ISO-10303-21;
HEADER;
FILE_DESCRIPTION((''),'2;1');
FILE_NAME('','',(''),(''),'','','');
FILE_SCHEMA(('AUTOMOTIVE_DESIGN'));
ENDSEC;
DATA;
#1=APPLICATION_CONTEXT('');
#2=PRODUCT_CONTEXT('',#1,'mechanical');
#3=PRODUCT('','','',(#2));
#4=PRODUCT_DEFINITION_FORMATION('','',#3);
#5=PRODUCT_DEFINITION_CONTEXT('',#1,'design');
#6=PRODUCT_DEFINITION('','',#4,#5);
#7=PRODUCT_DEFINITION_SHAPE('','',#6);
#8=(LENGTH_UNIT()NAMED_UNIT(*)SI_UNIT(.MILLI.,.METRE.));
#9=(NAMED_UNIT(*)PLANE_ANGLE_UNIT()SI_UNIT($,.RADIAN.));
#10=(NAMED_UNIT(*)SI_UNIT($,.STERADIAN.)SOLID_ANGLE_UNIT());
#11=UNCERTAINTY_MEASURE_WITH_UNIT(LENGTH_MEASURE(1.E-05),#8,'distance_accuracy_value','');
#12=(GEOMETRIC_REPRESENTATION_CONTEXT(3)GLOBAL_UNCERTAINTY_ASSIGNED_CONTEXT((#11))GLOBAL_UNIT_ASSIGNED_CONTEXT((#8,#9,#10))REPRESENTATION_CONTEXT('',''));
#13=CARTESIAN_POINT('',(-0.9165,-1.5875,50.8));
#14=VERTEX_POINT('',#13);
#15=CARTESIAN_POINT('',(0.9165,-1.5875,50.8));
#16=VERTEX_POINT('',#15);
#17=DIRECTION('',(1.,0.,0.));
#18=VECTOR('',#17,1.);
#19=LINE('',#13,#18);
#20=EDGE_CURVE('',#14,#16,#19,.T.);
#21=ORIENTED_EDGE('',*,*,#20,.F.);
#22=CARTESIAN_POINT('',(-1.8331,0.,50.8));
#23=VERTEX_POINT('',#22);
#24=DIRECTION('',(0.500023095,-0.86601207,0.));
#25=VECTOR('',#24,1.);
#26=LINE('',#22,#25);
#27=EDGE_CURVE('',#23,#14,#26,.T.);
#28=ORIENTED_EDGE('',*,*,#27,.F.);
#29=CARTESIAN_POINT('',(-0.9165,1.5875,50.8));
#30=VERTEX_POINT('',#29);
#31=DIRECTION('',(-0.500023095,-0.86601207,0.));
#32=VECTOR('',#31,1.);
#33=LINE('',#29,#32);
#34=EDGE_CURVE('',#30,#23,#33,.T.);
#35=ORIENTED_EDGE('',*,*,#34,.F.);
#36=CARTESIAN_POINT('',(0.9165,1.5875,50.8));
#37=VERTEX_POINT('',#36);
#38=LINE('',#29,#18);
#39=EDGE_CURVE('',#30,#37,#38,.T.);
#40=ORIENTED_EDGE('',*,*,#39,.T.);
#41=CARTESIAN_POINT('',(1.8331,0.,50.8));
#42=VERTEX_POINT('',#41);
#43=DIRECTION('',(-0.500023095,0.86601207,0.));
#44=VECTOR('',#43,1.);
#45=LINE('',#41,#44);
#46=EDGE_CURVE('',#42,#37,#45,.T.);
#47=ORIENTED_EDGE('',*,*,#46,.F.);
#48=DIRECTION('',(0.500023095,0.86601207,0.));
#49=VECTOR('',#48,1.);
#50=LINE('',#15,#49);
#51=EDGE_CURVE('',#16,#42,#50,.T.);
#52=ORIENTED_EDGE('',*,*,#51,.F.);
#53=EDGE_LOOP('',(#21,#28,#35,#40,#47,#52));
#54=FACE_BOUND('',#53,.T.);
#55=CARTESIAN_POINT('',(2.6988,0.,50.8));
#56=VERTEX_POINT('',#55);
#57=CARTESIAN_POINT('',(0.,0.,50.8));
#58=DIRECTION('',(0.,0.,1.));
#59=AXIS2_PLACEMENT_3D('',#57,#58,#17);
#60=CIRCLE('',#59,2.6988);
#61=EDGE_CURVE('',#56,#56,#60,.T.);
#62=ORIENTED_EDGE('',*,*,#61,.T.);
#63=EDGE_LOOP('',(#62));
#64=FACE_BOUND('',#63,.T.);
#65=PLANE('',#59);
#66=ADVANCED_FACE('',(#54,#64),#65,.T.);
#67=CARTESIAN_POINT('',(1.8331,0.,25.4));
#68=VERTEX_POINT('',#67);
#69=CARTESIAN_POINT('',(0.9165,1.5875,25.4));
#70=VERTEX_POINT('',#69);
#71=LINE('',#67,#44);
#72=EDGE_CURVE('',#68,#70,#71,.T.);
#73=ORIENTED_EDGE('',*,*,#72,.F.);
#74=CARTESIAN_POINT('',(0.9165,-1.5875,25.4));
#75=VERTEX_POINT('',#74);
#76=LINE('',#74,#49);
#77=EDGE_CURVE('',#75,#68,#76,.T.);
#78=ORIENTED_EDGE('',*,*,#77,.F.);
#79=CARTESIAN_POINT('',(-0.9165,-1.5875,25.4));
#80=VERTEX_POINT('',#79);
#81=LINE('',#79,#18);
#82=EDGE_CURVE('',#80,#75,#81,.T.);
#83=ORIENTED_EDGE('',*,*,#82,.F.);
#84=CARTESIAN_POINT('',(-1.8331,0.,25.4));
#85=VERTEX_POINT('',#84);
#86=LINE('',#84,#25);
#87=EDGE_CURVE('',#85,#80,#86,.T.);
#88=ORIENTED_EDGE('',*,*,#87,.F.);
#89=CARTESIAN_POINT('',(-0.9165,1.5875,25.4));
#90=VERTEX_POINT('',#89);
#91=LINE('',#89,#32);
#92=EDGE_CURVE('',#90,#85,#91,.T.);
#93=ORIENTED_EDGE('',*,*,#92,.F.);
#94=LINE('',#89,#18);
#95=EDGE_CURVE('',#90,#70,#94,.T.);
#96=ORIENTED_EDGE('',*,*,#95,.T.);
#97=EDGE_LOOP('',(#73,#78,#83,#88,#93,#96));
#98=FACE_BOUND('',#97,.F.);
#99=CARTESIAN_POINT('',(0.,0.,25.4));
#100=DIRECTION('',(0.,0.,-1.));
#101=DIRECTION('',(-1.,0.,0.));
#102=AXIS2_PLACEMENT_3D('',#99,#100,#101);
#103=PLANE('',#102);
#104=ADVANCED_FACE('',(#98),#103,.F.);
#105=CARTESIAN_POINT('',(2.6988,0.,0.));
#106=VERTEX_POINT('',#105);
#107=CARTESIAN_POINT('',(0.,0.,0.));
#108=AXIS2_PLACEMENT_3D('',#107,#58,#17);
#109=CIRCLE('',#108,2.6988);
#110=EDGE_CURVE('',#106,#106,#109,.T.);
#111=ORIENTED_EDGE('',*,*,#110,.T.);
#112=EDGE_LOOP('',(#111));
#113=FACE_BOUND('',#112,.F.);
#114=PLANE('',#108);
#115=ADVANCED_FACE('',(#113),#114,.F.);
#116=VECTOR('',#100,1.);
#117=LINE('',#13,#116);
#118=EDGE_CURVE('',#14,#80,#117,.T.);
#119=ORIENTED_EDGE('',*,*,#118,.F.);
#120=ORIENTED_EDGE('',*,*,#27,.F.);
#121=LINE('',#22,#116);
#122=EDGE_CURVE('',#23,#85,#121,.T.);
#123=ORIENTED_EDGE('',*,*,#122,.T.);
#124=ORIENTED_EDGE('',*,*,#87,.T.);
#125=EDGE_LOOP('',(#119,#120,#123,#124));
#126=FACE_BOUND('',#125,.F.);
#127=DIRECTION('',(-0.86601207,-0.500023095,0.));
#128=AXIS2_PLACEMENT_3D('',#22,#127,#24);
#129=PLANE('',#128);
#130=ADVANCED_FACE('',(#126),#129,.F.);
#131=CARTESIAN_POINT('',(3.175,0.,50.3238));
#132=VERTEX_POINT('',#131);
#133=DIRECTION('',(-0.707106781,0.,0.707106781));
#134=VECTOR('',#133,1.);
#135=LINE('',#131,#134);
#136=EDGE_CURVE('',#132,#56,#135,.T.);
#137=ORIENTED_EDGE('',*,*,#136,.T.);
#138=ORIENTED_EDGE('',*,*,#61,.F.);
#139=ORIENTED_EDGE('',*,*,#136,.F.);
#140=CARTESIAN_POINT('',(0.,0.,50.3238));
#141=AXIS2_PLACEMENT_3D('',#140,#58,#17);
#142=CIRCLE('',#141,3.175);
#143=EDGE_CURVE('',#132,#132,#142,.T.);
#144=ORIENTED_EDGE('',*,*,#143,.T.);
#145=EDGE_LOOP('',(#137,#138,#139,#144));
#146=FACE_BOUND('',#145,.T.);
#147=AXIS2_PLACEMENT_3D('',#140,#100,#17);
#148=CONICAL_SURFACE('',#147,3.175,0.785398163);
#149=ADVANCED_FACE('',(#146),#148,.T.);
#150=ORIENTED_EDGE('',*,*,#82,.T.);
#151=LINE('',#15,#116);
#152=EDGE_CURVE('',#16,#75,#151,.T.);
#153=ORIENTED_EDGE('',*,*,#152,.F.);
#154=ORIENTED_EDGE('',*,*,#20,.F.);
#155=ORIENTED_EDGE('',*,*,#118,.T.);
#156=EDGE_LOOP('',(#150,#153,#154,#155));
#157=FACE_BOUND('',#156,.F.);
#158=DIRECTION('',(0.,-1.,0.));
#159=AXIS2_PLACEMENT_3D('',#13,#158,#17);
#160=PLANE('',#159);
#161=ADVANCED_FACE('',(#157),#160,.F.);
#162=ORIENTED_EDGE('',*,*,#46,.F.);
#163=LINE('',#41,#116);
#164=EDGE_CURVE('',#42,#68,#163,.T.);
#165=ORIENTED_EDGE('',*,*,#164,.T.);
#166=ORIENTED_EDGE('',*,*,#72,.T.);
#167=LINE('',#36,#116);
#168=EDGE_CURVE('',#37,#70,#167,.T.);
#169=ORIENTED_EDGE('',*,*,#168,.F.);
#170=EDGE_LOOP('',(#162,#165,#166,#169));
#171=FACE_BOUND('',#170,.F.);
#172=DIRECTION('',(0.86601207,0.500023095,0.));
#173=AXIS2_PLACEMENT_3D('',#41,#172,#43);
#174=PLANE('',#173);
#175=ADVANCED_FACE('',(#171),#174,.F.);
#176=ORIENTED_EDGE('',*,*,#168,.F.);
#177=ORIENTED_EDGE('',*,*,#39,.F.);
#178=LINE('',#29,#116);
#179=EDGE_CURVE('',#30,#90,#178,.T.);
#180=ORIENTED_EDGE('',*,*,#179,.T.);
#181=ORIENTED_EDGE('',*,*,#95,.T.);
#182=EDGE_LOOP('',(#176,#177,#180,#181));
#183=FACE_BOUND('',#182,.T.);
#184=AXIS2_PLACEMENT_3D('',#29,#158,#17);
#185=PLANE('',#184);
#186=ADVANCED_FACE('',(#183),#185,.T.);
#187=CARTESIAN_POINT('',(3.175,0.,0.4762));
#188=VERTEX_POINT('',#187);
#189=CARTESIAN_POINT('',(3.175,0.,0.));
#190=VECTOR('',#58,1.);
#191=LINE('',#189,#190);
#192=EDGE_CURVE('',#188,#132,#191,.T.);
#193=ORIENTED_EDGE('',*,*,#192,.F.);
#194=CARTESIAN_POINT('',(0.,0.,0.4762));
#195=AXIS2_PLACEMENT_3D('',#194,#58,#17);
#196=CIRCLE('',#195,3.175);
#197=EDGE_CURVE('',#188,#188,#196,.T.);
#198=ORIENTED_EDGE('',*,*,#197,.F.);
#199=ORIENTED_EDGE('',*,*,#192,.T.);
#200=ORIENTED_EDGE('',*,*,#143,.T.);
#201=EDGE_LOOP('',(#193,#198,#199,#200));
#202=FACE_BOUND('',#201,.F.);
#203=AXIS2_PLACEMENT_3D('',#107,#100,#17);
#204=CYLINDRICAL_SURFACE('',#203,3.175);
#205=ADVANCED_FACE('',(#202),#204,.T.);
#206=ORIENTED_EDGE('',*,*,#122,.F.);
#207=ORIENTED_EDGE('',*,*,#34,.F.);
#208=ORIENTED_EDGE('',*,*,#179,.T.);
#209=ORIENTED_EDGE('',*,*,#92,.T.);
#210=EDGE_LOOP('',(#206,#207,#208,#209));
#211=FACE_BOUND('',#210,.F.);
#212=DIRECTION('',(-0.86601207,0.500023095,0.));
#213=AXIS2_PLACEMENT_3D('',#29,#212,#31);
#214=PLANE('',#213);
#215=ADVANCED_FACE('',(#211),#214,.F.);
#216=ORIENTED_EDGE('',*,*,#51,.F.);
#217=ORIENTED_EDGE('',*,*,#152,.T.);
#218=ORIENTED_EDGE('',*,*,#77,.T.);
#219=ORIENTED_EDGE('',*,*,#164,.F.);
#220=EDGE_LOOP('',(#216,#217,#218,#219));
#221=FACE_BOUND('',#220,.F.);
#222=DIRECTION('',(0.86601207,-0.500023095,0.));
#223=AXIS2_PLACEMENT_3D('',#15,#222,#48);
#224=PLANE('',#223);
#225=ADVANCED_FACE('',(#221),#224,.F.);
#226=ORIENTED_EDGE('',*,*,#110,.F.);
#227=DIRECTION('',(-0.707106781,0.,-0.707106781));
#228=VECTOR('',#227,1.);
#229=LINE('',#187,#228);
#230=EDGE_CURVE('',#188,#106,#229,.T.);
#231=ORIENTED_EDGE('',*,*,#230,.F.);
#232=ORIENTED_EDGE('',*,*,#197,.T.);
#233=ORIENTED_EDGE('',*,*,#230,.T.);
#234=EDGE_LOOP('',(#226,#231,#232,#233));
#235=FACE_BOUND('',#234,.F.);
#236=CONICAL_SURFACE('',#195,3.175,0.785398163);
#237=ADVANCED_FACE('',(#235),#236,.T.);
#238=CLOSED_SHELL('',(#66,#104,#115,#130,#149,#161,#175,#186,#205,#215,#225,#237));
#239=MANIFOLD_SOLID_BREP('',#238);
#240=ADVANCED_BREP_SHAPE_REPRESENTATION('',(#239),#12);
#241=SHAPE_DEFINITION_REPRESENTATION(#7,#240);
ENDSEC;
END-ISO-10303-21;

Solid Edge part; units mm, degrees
sketch "Sketch1" plane through (0, 0, 0) normal (0, 0, 1) x (1, 0, 0)
  circle A0 centre (0, 0) radius 3.175
  dimension "D1" = 6.35
extrude "Protrusion1" add sketch "Sketch1" along normal blind 50.8
chamfer "Chamfer1" distance 0.4762 angle 45 2 edges at (-3.175, 0, 0) (-3.175, 0, 50.8)
sketch "Sketch2" plane through (0, 0, 50.8) normal (0, 0, 1) x (1, 0, 0)
  line L0 (-0.9165, 1.5875) -> (0.9165, 1.5875)
  line L1 (1.8331, 0) -> (0.9165, 1.5875)
  line L2 (0.9165, -1.5875) -> (1.8331, 0)
  line L3 (-0.9165, -1.5875) -> (0.9165, -1.5875)
  line L4 (-1.8331, 0) -> (-0.9165, -1.5875)
  line L5 (-0.9165, 1.5875) -> (-1.8331, 0)
  dimension "D1" = 3.175
extrude "Cutout1" cut sketch "Sketch2" against normal blind 25.4
properties part number "24107443"
